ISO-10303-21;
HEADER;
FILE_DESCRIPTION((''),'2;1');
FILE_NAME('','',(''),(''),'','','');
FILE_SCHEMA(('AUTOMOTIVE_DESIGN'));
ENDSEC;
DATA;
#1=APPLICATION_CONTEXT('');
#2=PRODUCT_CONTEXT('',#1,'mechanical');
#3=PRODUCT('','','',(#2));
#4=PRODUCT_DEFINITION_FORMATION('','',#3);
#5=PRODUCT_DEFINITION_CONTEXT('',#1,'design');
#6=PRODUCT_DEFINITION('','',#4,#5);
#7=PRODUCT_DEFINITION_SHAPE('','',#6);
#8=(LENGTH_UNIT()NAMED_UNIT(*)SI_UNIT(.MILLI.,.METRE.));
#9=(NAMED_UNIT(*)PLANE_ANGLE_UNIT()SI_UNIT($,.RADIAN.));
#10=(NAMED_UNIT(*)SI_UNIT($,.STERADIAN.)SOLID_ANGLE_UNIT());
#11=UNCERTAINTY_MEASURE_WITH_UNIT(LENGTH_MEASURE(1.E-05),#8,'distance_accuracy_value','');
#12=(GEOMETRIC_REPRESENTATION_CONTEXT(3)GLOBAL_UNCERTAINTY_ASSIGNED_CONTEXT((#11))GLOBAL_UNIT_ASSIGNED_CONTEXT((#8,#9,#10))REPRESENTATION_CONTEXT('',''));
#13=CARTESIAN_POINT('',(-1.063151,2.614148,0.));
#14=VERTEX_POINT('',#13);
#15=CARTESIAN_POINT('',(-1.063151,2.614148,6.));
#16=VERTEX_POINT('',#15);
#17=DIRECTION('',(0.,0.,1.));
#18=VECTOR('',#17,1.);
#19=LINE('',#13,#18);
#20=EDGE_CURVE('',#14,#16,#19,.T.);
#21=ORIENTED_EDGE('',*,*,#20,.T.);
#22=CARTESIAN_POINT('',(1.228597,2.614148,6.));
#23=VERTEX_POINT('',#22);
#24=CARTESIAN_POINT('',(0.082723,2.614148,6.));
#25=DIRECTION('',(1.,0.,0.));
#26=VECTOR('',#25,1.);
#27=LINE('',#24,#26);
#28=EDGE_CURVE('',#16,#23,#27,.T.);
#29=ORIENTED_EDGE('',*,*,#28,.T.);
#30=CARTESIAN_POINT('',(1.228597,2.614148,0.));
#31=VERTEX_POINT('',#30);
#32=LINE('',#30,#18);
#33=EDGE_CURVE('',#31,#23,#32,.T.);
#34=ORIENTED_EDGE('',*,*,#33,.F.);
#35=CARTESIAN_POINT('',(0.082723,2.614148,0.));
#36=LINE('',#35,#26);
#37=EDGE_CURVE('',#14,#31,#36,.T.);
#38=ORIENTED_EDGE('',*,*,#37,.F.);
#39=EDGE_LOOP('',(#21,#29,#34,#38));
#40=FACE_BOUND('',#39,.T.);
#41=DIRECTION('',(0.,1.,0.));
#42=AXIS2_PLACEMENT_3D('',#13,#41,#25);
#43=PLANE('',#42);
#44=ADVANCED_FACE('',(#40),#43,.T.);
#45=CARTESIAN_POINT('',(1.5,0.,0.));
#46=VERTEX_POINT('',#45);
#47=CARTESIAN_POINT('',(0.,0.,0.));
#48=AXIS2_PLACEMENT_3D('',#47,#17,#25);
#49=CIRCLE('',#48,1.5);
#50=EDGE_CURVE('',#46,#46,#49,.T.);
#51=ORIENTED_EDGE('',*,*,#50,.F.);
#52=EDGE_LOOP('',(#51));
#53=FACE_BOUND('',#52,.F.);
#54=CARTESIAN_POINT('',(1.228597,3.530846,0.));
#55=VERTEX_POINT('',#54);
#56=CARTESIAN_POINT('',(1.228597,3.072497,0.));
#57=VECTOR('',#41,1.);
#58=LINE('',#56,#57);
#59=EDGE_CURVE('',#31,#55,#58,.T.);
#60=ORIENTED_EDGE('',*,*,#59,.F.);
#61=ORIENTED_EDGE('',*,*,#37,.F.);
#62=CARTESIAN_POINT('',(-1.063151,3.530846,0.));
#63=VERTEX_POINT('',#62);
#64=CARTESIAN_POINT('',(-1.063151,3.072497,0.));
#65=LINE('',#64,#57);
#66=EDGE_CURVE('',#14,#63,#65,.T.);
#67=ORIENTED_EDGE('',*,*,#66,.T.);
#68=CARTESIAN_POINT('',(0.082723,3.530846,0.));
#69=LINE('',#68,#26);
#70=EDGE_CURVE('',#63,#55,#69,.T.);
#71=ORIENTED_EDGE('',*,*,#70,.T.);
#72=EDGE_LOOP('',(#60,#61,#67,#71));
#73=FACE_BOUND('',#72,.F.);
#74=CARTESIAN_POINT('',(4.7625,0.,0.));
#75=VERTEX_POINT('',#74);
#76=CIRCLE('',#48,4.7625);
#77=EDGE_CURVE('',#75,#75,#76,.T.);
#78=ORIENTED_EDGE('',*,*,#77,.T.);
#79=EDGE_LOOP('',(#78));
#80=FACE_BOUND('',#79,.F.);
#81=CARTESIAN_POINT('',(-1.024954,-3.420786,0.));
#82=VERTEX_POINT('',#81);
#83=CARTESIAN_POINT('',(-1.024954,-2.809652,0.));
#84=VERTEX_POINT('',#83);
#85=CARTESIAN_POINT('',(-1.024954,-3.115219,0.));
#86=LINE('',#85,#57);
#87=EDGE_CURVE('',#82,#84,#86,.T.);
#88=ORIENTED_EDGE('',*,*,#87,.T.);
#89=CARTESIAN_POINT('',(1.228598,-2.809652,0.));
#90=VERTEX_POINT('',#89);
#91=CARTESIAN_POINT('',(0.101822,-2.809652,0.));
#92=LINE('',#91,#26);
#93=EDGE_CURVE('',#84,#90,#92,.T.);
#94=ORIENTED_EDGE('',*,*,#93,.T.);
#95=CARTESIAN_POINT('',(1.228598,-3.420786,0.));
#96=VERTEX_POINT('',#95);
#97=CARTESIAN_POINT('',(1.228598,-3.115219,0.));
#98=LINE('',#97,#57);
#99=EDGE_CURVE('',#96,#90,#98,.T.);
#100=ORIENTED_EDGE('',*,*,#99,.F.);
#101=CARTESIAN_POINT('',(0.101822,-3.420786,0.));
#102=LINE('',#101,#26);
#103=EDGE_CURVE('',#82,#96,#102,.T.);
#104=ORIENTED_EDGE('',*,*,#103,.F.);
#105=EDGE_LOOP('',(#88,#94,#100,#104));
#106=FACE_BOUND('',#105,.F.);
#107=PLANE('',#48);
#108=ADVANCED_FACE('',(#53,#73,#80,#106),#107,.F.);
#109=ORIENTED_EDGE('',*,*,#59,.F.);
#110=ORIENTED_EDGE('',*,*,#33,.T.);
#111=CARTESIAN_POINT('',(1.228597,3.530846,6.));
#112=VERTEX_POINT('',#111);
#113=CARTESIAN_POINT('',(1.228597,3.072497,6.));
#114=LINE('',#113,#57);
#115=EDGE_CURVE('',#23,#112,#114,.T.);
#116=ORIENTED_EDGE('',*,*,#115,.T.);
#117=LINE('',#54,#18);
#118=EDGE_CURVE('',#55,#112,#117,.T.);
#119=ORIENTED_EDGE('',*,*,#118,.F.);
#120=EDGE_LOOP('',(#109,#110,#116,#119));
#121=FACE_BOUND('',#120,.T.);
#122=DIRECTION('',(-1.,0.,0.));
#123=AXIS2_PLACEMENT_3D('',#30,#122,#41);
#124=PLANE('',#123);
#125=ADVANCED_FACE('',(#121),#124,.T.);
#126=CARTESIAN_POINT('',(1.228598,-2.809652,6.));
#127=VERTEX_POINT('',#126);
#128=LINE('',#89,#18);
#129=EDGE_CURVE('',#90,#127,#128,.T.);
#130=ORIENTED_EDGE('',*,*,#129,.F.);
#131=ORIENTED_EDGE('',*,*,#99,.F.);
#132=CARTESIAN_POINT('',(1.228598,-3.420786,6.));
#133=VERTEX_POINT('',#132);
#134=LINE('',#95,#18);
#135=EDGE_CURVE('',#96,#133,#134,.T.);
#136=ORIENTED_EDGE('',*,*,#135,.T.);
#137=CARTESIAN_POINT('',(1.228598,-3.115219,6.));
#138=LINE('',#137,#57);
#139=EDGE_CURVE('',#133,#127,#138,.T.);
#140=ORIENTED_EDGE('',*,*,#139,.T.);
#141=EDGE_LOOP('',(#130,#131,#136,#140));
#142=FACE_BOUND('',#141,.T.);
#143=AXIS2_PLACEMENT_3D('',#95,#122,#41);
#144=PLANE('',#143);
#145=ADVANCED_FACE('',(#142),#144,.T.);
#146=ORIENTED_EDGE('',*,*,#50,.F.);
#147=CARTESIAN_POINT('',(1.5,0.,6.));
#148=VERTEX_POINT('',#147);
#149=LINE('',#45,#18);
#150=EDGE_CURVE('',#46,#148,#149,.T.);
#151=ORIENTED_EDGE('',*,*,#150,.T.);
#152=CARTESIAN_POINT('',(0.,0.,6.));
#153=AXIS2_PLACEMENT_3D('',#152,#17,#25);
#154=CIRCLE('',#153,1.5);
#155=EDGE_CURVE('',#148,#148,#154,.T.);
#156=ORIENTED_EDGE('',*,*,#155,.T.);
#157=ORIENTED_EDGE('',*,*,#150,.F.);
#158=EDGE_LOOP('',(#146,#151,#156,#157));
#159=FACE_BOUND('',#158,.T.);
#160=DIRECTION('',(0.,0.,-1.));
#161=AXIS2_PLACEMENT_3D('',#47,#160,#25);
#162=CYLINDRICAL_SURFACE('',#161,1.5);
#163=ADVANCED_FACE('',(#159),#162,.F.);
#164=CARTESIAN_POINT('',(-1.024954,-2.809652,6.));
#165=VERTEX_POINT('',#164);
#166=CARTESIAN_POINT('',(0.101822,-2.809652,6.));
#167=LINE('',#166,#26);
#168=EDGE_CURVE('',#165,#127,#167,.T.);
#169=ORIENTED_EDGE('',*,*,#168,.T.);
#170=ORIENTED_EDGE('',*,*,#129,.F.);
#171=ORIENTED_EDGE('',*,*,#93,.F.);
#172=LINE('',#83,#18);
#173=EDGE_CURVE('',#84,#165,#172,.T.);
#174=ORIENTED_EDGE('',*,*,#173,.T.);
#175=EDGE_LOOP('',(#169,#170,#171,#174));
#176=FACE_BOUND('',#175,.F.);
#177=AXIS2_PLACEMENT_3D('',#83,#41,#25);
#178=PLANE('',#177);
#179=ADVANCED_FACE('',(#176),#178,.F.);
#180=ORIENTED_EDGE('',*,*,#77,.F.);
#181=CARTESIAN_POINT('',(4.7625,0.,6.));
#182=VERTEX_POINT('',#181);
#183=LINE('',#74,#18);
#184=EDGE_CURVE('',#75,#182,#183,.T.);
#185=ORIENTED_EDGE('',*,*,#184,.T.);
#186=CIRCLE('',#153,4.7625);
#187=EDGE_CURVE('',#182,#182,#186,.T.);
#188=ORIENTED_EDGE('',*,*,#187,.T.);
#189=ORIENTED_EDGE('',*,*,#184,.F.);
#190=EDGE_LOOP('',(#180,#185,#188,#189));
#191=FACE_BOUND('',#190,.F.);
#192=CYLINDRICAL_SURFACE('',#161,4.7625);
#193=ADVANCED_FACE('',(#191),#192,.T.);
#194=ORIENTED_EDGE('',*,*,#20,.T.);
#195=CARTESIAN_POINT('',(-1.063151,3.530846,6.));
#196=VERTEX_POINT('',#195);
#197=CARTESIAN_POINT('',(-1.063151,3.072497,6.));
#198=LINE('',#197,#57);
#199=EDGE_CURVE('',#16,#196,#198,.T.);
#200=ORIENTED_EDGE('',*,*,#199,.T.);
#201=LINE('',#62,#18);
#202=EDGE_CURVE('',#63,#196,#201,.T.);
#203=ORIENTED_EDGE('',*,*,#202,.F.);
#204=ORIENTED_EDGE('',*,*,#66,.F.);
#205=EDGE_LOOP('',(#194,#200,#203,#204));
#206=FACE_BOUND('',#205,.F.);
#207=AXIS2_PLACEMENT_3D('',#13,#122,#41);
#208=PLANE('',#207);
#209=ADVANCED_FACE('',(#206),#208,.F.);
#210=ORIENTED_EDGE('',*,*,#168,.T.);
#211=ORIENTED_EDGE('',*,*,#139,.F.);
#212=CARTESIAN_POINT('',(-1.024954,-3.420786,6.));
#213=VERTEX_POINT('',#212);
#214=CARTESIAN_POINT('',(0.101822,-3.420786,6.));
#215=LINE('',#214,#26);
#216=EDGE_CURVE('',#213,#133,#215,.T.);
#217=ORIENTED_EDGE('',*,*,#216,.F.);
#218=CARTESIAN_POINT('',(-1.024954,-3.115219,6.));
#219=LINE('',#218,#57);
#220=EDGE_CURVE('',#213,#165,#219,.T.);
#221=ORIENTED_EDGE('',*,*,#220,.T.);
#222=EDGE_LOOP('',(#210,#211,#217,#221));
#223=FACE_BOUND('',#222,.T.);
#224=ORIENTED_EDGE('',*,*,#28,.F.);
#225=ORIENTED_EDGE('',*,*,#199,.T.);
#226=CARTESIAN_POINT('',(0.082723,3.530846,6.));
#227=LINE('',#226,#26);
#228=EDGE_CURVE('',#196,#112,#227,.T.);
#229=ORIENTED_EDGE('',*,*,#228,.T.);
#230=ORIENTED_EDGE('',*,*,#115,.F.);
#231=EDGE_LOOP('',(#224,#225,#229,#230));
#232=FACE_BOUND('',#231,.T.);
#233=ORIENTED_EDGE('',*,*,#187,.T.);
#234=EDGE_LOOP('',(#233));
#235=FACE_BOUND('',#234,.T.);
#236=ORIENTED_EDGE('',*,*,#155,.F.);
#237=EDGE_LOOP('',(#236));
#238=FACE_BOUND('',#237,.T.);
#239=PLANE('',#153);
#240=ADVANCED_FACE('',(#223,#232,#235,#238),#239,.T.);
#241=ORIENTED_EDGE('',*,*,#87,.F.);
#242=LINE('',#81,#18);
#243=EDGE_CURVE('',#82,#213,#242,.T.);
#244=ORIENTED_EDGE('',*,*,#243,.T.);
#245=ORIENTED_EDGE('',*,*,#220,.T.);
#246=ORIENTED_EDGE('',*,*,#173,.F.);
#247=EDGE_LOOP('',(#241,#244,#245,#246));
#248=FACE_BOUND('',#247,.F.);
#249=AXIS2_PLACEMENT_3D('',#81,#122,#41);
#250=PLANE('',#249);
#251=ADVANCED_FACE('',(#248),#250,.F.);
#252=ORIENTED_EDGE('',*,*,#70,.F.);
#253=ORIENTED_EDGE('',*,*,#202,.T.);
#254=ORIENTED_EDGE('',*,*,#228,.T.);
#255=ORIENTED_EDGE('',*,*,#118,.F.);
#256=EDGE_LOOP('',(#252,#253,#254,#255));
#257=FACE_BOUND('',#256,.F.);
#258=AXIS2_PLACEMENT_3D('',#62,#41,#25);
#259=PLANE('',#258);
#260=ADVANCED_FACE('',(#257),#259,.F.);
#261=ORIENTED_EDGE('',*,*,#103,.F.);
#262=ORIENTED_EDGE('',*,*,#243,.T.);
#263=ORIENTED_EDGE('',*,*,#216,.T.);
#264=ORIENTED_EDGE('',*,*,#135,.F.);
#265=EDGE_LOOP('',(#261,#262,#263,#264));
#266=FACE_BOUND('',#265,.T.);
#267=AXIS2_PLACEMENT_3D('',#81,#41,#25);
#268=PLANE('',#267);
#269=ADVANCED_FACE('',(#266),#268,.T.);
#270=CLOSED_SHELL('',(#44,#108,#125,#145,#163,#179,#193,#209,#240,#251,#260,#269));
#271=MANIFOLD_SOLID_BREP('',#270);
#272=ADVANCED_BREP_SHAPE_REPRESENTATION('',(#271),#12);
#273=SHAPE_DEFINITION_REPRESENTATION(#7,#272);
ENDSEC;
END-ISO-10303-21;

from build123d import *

# Parameters (mm, degrees)
F0_R     = 4.7625
F0_W     = 2.253551
F0_H     = 0.611133
F0_R_2   = 1.5
F0_W_2   = 2.291747
F0_H_2   = 0.916698
F1_DEPTH = 6


with BuildPart() as f1:
    # F0 (on Top) → F1 (new body)
    with BuildSketch(Plane.XY):
        Circle(F0_R)
        with Locations((0.101822, -3.115219)):
            Rectangle(F0_W, F0_H, mode=Mode.SUBTRACT)
        Circle(F0_R_2, mode=Mode.SUBTRACT)
        with Locations((0.082723, 3.072497)):
            Rectangle(F0_W_2, F0_H_2, mode=Mode.SUBTRACT)
    extrude(amount=F1_DEPTH)


solid = f1.part
